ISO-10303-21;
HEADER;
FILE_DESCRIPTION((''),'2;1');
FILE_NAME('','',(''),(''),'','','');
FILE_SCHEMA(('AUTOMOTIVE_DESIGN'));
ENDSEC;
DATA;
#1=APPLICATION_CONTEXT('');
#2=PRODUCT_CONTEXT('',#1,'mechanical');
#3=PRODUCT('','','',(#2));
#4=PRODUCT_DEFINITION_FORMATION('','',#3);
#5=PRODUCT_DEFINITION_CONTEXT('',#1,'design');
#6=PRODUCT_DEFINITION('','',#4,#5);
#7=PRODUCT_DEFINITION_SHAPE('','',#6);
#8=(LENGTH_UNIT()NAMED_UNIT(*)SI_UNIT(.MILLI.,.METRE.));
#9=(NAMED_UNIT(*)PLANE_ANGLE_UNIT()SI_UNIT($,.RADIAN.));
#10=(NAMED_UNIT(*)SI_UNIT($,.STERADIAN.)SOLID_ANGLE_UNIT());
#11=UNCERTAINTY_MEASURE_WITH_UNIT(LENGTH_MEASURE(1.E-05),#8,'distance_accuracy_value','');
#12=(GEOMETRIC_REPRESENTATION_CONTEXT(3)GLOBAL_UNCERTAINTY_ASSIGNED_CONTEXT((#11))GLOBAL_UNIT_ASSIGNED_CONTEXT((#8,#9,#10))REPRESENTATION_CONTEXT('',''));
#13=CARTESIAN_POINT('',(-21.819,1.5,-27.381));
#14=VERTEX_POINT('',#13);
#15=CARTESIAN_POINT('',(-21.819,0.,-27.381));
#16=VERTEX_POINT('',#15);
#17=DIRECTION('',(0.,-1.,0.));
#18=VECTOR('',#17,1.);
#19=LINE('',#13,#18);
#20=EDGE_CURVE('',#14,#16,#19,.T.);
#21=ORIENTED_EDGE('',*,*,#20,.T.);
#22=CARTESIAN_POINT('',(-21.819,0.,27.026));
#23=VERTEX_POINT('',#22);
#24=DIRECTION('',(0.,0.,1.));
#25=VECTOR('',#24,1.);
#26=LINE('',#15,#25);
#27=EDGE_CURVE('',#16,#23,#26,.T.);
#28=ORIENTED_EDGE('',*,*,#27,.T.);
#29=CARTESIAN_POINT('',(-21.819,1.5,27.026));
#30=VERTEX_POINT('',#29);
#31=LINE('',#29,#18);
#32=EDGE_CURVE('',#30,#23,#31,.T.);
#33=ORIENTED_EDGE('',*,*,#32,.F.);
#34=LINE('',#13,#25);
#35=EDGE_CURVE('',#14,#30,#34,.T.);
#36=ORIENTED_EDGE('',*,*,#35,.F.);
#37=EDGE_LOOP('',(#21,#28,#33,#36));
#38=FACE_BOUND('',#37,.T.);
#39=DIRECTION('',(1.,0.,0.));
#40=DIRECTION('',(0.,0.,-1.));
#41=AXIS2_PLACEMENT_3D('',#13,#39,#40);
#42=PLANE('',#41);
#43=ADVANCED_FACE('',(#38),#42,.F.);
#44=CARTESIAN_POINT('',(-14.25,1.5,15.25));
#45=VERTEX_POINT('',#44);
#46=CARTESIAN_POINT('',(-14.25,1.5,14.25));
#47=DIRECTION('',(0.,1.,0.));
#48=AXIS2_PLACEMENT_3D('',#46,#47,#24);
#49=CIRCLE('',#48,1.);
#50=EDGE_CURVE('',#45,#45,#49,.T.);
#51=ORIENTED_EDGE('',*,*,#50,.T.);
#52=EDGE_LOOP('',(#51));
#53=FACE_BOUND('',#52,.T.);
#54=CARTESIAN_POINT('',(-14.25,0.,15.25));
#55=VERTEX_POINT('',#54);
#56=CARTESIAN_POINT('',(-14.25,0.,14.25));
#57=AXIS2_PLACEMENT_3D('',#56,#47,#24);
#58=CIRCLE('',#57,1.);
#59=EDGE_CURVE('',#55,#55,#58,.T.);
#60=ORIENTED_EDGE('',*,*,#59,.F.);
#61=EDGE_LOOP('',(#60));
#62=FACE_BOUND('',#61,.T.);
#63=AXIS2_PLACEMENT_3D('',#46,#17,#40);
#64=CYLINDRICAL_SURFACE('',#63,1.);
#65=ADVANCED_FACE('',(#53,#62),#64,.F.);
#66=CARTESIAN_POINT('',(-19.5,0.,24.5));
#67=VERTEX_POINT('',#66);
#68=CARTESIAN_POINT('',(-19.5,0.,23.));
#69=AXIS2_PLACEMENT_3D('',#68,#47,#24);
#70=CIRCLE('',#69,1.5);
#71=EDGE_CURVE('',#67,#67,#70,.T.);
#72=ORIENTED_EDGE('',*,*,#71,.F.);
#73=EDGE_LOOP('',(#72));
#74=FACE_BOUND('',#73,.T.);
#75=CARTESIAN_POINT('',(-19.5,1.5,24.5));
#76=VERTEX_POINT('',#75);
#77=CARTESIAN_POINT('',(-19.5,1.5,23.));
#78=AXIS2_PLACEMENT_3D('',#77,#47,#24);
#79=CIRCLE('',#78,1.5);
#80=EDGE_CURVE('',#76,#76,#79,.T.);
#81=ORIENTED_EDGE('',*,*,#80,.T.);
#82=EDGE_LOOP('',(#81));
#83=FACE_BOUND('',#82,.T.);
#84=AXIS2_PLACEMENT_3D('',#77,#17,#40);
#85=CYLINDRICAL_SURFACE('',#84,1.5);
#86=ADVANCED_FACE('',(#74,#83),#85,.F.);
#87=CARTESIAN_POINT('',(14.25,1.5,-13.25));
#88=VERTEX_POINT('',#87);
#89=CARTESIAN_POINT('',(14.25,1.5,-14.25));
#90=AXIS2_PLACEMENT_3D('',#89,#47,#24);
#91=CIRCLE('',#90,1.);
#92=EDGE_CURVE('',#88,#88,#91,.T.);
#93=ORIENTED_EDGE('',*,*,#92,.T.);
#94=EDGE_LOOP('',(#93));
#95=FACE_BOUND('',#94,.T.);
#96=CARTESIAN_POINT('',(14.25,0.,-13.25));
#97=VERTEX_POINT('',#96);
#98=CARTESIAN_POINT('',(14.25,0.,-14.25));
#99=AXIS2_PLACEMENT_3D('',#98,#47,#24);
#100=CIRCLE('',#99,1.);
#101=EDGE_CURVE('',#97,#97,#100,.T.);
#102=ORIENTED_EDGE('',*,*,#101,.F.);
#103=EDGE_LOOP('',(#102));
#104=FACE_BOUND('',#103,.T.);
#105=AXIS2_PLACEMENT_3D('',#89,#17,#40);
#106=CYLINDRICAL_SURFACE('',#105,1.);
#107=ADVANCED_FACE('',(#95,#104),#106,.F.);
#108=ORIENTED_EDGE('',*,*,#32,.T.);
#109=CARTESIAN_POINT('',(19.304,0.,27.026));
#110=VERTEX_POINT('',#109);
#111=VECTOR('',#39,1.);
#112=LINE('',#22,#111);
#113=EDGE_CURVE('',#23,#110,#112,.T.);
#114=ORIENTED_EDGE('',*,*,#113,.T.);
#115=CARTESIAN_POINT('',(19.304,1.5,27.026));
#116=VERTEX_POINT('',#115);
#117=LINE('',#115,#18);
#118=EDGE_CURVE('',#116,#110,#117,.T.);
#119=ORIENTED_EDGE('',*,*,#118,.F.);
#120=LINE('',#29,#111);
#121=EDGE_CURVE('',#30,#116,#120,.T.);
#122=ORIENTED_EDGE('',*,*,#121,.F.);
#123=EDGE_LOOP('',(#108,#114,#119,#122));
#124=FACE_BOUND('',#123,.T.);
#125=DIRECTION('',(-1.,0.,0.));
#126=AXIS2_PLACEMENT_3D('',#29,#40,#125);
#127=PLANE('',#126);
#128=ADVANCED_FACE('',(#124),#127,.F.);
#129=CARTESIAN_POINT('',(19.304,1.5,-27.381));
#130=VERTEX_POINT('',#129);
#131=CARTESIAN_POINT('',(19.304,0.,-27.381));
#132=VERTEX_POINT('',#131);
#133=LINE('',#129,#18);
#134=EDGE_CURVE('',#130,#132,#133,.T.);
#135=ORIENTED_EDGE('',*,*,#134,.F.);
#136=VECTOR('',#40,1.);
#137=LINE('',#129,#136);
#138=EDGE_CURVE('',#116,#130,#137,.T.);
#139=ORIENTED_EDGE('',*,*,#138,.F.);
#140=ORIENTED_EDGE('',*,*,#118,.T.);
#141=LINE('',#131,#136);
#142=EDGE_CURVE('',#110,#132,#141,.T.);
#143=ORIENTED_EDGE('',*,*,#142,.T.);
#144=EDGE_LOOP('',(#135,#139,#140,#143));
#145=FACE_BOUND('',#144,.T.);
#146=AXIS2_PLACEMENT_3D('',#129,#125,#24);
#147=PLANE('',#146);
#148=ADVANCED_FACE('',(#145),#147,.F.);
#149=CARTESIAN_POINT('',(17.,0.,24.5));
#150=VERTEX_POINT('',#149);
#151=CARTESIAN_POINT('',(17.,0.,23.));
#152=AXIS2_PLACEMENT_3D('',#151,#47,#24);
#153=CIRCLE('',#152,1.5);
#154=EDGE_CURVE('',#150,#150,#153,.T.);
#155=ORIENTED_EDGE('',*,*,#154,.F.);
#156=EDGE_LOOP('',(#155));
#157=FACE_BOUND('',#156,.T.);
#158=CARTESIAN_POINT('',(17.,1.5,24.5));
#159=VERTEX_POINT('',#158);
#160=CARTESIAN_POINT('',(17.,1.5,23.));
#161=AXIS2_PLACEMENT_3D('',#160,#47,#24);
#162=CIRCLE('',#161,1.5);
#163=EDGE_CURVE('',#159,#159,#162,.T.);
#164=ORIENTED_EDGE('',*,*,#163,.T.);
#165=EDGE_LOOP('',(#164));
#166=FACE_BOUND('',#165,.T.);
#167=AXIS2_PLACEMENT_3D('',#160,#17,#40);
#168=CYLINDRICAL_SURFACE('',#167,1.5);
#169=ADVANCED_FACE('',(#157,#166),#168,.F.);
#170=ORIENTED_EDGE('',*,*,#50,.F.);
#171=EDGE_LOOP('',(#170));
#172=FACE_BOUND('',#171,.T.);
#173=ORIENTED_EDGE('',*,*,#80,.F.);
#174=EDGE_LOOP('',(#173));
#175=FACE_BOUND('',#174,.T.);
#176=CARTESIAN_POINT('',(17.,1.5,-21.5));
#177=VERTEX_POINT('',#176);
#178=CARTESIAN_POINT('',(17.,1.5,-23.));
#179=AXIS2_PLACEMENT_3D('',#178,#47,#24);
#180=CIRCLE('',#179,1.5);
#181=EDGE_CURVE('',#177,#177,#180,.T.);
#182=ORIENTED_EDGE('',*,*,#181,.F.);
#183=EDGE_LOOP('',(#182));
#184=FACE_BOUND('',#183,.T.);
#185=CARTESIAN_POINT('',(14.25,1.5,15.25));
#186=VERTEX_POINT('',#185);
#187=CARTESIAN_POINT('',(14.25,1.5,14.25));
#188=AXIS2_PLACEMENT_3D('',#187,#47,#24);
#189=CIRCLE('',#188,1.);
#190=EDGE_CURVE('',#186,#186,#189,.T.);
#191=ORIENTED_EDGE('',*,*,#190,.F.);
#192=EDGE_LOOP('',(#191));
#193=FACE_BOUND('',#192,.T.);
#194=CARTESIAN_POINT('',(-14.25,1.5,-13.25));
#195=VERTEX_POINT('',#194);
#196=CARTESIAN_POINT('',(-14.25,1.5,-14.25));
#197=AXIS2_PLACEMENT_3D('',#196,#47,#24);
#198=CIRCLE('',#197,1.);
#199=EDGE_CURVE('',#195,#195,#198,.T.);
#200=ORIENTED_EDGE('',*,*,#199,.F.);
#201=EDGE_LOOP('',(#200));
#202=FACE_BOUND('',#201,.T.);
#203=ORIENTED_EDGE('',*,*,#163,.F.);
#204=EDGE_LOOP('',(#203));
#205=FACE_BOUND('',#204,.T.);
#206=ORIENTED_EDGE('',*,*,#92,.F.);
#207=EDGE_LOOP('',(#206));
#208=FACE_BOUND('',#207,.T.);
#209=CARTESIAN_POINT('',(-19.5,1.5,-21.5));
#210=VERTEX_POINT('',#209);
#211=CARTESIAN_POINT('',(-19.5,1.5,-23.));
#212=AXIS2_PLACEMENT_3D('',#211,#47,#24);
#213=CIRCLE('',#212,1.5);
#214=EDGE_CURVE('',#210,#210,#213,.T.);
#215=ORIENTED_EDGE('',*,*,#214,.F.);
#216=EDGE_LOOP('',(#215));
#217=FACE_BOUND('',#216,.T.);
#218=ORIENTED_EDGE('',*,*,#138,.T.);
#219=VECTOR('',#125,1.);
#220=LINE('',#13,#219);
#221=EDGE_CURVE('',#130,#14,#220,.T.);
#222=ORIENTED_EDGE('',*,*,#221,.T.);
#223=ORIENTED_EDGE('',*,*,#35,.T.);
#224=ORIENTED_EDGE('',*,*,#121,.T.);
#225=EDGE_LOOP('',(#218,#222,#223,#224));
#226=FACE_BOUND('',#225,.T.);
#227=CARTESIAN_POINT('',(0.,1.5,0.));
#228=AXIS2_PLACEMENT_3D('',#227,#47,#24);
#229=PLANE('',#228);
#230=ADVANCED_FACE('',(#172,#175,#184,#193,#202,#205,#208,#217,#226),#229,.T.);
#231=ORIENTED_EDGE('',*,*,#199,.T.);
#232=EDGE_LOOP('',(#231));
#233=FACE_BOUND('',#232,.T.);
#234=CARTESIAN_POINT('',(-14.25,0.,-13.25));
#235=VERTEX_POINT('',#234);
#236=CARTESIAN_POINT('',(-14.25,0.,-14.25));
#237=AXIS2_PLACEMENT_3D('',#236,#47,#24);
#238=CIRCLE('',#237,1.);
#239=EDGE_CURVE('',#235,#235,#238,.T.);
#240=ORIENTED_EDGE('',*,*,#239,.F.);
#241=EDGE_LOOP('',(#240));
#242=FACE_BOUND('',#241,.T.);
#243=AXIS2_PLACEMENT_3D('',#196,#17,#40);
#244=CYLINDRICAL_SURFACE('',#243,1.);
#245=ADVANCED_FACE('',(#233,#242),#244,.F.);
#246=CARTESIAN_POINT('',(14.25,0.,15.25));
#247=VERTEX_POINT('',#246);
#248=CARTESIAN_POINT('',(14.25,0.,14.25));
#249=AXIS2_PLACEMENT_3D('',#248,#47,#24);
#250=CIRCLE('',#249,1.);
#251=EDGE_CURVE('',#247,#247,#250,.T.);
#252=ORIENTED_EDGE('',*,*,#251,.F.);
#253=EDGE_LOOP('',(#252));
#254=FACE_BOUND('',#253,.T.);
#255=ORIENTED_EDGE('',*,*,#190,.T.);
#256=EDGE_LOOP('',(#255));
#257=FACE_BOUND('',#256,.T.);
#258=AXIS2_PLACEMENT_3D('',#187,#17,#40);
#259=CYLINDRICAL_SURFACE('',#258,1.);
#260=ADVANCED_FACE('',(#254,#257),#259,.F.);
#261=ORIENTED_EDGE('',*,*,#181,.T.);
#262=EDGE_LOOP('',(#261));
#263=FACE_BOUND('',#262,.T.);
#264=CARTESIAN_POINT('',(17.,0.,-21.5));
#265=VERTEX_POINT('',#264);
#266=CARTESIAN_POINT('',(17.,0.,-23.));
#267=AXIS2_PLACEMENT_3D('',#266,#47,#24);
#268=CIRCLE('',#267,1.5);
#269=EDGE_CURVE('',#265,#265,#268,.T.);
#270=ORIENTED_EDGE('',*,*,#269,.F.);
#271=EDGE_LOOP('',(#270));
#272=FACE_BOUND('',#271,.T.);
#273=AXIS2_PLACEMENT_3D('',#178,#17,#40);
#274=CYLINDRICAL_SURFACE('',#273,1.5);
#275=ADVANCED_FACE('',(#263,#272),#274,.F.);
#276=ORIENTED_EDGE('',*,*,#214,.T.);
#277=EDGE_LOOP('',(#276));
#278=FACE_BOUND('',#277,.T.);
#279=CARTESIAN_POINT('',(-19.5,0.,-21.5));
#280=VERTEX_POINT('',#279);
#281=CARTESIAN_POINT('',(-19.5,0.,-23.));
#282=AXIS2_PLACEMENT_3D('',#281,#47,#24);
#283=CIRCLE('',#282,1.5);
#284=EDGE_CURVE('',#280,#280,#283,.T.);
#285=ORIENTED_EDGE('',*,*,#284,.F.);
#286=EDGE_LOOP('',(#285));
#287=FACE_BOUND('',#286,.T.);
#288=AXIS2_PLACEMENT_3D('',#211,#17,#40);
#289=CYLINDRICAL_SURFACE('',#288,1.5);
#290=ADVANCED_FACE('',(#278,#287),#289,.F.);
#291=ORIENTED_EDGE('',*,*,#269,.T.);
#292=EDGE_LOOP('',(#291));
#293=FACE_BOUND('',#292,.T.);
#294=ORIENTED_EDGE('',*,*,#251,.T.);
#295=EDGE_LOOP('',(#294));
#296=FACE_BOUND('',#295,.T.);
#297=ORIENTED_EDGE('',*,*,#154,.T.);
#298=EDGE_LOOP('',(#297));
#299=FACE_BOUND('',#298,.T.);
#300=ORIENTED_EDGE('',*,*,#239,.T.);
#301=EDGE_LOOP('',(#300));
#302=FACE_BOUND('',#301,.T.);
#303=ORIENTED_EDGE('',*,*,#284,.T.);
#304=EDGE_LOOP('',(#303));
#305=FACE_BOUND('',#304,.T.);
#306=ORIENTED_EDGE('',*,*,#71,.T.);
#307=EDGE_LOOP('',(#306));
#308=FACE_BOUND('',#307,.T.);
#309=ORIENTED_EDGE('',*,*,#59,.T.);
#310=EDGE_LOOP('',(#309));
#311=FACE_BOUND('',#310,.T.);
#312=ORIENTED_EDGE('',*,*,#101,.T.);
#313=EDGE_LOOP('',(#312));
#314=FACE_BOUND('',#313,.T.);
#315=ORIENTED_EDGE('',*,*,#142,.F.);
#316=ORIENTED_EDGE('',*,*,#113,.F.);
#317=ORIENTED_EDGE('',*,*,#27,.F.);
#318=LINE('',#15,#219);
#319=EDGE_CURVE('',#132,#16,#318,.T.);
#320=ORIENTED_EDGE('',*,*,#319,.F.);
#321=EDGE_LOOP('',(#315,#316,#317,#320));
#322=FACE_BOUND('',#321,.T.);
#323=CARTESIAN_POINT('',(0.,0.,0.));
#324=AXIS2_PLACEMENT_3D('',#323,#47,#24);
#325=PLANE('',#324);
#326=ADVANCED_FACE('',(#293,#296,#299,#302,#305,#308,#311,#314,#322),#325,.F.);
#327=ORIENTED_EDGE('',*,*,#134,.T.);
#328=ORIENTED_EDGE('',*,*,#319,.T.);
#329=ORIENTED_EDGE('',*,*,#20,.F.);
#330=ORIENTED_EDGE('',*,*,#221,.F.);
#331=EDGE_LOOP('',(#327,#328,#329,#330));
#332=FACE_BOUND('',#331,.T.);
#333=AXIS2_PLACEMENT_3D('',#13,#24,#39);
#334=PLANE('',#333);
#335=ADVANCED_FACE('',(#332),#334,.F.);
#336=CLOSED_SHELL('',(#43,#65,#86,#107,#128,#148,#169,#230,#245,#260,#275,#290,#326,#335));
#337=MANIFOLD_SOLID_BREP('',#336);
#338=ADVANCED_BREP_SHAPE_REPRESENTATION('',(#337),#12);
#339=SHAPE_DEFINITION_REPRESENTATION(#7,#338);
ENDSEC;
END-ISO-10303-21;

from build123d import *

# Parameters (mm, degrees)
SKETCH_1_W      = 41.123
SKETCH_1_H      = 54.407
SKETCH_1_R      = 1
SKETCH_1_R_2    = 1.5
EXTRUDE_1_DEPTH = 1.5


with BuildPart() as part:
    # 草图1 → 凸台-拉伸1 (new body)
    with BuildSketch(Plane(origin=(0, 0, 0), x_dir=(1, 0, 0), z_dir=(0, 1, 0))):
        with Locations((-1.2575, 0.1775)):
            Rectangle(SKETCH_1_W, SKETCH_1_H)
        with Locations(Location((-14.25, 14.25, 0), (0, 0, 270))):
            Circle(SKETCH_1_R, mode=Mode.SUBTRACT)
        with Locations(Location((14.25, 14.25, 0), (0, 0, 270))):
            Circle(SKETCH_1_R, mode=Mode.SUBTRACT)
        with Locations(Location((14.25, -14.25, 0), (0, 0, 270))):
            Circle(SKETCH_1_R, mode=Mode.SUBTRACT)
        with Locations(Location((-14.25, -14.25, 0), (0, 0, 270))):
            Circle(SKETCH_1_R, mode=Mode.SUBTRACT)
        with Locations(Location((-19.5, 23, 0), (0, 0, 270))):
            Circle(SKETCH_1_R_2, mode=Mode.SUBTRACT)
        with Locations(Location((17, 23, 0), (0, 0, 270))):
            Circle(SKETCH_1_R_2, mode=Mode.SUBTRACT)
        with Locations(Location((17, -23, 0), (0, 0, 270))):
            Circle(SKETCH_1_R_2, mode=Mode.SUBTRACT)
        with Locations(Location((-19.5, -23, 0), (0, 0, 270))):
            Circle(SKETCH_1_R_2, mode=Mode.SUBTRACT)
    extrude(amount=EXTRUDE_1_DEPTH)


solid = part.part
